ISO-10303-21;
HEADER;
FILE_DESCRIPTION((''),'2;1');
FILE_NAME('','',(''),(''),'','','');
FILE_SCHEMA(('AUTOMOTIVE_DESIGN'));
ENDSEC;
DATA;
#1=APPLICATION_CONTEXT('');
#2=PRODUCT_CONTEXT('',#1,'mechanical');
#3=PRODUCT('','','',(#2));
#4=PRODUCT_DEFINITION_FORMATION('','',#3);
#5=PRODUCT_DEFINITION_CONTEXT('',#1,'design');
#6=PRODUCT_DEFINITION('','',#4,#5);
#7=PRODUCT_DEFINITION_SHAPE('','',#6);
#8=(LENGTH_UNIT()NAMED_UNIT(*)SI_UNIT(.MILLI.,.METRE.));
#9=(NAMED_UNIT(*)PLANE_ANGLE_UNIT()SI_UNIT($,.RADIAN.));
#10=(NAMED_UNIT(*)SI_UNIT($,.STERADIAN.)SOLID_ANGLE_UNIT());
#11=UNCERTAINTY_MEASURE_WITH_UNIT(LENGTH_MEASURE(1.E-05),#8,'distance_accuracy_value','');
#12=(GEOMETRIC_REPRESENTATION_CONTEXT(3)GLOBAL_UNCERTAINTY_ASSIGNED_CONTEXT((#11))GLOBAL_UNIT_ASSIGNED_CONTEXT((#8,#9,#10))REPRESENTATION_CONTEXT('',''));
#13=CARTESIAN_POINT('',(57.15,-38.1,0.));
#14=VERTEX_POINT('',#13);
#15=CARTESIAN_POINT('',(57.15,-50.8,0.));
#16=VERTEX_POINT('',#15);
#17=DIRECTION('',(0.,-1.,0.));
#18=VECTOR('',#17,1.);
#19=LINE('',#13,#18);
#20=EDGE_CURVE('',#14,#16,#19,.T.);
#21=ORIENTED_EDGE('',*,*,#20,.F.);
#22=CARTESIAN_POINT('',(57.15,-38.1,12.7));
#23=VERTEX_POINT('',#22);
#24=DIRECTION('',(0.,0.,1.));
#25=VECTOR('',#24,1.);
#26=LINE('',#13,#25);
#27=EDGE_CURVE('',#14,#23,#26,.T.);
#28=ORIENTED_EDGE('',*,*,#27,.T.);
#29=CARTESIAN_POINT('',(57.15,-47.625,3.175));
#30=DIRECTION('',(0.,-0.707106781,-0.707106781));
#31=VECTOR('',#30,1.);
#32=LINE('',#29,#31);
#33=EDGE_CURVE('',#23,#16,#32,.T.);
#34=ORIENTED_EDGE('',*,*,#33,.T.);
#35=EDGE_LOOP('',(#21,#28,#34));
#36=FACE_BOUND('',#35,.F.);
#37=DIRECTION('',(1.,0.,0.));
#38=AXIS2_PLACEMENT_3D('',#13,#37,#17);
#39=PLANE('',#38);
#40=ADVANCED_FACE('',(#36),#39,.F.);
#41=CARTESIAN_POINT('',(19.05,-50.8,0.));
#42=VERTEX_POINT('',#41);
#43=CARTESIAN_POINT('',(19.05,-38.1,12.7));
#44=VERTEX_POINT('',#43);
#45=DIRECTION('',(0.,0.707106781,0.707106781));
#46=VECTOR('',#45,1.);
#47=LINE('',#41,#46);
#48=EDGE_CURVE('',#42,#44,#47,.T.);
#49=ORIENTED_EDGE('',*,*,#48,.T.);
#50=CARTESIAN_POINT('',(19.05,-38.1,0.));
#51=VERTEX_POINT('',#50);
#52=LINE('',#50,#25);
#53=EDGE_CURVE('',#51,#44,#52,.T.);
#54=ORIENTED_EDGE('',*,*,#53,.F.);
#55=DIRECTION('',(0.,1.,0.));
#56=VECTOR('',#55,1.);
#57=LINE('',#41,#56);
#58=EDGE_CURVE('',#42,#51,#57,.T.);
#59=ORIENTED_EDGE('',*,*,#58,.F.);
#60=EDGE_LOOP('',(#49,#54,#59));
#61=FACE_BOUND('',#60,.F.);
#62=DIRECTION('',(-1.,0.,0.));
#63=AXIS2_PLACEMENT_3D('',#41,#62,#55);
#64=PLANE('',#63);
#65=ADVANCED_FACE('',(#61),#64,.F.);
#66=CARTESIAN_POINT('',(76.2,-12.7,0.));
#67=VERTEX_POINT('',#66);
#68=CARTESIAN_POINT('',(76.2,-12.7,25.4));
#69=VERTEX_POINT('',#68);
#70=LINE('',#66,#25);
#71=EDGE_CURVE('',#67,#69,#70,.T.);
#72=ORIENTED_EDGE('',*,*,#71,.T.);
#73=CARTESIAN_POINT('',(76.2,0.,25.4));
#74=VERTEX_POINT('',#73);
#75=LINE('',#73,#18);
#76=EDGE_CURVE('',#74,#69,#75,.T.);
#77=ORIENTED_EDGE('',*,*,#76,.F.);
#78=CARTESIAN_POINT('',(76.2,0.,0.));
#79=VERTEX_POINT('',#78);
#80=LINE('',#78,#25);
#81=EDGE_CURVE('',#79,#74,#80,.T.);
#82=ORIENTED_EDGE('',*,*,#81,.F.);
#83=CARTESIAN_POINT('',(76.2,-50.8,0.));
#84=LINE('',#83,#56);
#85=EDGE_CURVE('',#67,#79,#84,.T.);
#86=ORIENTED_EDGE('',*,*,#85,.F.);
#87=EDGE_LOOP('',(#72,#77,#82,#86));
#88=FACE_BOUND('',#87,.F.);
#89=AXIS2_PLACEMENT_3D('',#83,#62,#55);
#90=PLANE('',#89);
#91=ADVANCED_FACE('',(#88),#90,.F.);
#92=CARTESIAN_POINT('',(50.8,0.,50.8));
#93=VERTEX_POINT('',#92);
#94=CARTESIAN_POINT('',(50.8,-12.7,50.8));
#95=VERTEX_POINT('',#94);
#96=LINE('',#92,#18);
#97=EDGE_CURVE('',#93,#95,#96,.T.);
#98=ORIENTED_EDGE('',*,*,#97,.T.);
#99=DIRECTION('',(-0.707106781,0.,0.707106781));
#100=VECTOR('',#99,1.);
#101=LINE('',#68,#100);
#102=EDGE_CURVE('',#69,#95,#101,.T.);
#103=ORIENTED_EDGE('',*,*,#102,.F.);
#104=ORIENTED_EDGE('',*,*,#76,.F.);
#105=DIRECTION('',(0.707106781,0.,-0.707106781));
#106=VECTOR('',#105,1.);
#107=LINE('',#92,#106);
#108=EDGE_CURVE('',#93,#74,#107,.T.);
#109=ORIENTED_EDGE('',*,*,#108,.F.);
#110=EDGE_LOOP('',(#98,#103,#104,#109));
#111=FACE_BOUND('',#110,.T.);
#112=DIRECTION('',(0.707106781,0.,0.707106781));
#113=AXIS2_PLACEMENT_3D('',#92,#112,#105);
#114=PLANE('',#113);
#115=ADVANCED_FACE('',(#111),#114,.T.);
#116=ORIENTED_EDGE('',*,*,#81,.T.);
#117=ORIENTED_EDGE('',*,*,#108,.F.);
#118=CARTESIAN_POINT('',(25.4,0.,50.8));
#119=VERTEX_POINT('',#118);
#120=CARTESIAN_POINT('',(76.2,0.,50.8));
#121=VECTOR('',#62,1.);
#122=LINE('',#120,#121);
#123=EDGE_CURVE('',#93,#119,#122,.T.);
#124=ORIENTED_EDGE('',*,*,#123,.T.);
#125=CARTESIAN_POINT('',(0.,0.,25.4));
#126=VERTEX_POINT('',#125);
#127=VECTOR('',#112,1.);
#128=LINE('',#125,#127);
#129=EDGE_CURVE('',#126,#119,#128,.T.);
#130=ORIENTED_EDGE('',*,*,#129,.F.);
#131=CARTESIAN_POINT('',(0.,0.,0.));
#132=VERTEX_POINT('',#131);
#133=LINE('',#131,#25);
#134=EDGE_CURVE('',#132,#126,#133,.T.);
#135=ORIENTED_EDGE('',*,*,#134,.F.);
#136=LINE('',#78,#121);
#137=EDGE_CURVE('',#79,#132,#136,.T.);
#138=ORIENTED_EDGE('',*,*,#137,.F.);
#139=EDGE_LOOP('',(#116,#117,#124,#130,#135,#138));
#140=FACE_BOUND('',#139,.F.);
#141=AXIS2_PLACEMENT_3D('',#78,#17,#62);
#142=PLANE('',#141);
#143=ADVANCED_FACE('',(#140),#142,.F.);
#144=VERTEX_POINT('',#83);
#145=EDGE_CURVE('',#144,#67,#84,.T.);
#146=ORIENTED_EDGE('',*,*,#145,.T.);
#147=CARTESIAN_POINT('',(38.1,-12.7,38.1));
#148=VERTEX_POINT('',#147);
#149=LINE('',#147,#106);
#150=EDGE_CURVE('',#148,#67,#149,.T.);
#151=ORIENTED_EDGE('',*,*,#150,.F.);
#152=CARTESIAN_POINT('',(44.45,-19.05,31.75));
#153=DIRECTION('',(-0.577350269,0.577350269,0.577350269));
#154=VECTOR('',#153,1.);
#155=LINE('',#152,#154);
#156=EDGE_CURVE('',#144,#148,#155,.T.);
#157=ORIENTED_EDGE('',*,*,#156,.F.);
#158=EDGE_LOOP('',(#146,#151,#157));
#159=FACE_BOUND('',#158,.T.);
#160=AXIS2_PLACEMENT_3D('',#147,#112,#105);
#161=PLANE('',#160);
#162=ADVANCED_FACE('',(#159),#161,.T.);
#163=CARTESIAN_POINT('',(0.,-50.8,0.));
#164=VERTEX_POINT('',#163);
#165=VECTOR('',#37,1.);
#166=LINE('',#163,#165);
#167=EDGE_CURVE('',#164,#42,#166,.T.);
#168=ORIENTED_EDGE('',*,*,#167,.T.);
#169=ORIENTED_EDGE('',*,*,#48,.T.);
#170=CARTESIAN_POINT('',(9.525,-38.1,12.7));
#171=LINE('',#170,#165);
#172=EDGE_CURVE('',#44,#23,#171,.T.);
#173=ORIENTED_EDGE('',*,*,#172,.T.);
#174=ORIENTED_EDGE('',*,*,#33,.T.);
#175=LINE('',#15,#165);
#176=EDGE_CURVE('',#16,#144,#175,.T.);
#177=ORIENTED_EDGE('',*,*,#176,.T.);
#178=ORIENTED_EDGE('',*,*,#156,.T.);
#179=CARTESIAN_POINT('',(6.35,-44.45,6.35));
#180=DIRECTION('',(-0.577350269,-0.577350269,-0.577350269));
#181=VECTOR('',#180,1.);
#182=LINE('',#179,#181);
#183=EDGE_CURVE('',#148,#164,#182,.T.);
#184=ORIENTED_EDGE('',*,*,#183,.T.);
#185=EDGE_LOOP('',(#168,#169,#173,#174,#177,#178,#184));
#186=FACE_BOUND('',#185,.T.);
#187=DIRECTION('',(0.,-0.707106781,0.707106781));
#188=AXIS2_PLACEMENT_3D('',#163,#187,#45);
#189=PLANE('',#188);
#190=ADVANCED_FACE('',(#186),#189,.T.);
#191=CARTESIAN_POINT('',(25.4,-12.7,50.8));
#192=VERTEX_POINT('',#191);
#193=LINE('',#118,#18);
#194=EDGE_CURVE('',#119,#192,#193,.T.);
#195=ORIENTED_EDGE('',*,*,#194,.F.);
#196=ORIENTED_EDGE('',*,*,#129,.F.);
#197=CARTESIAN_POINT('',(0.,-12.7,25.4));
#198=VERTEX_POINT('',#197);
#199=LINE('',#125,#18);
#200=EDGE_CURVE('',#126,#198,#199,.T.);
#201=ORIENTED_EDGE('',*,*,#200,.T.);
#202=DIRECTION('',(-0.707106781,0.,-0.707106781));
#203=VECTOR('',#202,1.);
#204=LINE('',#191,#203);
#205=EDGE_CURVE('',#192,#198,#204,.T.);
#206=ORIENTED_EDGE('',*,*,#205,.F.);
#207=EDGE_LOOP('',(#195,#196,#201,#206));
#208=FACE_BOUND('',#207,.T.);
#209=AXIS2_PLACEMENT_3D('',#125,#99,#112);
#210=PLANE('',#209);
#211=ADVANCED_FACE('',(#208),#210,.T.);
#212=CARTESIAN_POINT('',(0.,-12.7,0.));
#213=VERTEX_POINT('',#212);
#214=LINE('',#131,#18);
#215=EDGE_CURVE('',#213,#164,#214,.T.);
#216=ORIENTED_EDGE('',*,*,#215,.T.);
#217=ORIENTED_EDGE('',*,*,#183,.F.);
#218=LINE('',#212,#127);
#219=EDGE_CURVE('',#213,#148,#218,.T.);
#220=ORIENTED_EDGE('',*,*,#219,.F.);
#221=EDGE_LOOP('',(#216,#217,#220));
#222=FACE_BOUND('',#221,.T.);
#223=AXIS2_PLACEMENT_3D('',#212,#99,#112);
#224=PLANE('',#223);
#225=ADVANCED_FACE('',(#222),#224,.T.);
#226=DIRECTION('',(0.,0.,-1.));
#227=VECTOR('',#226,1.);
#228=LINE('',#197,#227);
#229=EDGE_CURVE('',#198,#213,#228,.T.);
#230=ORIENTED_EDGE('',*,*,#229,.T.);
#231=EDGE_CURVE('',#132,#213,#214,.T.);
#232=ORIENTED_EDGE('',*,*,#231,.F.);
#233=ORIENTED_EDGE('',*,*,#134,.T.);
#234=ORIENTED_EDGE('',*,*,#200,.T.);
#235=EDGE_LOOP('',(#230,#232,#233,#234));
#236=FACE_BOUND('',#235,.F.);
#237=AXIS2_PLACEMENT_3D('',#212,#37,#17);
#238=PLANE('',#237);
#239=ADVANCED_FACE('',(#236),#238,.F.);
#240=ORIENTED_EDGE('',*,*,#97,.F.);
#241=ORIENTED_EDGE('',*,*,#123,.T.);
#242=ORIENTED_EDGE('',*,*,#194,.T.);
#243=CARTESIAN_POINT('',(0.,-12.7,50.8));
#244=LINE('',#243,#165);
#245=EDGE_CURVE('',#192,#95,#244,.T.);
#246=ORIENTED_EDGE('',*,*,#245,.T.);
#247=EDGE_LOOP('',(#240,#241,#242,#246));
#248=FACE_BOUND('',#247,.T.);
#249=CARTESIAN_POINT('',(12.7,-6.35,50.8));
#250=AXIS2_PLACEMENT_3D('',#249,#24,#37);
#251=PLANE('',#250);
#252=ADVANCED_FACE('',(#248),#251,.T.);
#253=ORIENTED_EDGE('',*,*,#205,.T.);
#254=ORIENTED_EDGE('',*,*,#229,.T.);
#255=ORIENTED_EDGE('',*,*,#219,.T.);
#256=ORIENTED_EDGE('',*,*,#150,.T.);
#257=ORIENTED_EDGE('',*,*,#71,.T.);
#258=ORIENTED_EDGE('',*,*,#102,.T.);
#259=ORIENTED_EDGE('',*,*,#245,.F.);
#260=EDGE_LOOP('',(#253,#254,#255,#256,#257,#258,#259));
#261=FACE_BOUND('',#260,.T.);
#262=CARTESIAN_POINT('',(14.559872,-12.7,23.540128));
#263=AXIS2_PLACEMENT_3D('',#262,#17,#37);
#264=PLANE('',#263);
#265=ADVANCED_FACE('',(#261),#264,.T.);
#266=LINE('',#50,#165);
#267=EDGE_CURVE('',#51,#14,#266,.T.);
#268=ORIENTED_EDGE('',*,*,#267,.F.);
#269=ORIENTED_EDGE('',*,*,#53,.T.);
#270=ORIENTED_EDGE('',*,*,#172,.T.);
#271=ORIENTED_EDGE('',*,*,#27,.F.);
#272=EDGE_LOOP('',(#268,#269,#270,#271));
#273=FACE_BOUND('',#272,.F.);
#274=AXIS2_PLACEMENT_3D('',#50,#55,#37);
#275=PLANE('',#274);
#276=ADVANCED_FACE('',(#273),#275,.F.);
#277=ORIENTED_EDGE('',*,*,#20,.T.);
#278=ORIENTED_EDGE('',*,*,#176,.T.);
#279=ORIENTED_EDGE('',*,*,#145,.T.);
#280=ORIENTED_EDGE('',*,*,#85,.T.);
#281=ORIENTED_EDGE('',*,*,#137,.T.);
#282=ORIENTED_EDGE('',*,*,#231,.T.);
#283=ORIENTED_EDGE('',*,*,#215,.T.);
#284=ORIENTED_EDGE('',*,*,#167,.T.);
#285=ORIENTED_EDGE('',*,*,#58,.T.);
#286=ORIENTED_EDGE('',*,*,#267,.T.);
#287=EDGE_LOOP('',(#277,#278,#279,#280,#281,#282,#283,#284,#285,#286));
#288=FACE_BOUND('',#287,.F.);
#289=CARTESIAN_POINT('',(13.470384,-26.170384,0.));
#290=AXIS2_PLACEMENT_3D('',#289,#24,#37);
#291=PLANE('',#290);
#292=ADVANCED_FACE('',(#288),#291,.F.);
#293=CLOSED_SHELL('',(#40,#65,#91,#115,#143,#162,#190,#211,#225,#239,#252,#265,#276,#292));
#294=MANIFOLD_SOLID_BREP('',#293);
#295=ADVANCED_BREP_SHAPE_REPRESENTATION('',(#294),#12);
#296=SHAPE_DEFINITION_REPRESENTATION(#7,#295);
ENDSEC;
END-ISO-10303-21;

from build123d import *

# Parameters (mm, degrees)
F0_W      = 25.4
F0_H      = 12.7
F1_DEPTH  = 50.8
F2_DEPTH  = 38.1
F3_DEPTH  = 38.1
F5_DEPTH  = 38.1
F6_DEPTH  = 76.201
F8_DEPTH  = 50.801
F9_START  = 12.7
F9_DEPTH  = 38.101
F10_START = 12.7
F10_DEPTH = 38.101


with BuildPart() as f1:
    # F0 (on Top) → F1 (new body)
    with BuildSketch(Plane.XY):
        with Locations((12.7, -6.35)):
            Rectangle(F0_W, F0_H)
        Polygon((50.8, 0), (25.4, 0), (25.4, -12.7), (38.1, -12.7), (50.8, -12.7), align=None)
        with Locations((63.5, -6.35)):
            Rectangle(F0_W, F0_H)
    extrude(amount=F1_DEPTH)

    # F0 (on Top) → F2 (join)
    with BuildSketch(Plane.XY):
        Polygon((38.1, -12.7), (0, -50.8), (19.05, -50.8), (19.05, -38.1), (57.15, -38.1), (57.15, -50.8), (76.2, -50.8), align=None)
    extrude(amount=F2_DEPTH)

    # F0 (on Top) → F3 (join)
    with BuildSketch(Plane.XY):
        Polygon((76.2, -12.7), (50.8, -12.7), (38.1, -12.7), (76.2, -50.8), align=None)
    extrude(amount=F3_DEPTH)

    # F0 (on Top) → F5 (join)
    with BuildSketch(Plane.XY):
        Polygon((25.4, -12.7), (0, -12.7), (0, -50.8), (38.1, -12.7), align=None)
    extrude(amount=F5_DEPTH)

    # F4 (on Right) → F6 (cut, through all)
    with BuildSketch(Plane.YZ):
        Polygon((-50.8, 0), (-12.7, 38.1), (-50.8, 38.1), align=None)
    extrude(amount=F6_DEPTH, mode=Mode.SUBTRACT)

    # F7 (on Front) → F8 (cut, through all)
    with BuildSketch(Plane.XZ):
        Polygon((0, 50.8), (0, 25.4), (12.7, 38.1), (25.4, 50.8), align=None)
        Polygon((50.8, 50.8), (63.5, 38.1), (76.2, 25.4), (76.2, 50.8), align=None)
    extrude(amount=F8_DEPTH, mode=Mode.SUBTRACT)

    # F7 (on Front) → F9 (cut)
    with BuildSketch(Plane.XZ.offset(F9_START)):
        Polygon((0, 25.4), (0, 0), (38.1, 38.1), (12.7, 38.1), align=None)
    extrude(amount=F9_DEPTH, mode=Mode.SUBTRACT)

    # F7 (on Front) → F10 (cut)
    with BuildSketch(Plane.XZ.offset(F10_START)):
        Polygon((63.5, 38.1), (38.1, 38.1), (76.2, 0), (76.2, 25.4), align=None)
    extrude(amount=F10_DEPTH, mode=Mode.SUBTRACT)


solid = f1.part
